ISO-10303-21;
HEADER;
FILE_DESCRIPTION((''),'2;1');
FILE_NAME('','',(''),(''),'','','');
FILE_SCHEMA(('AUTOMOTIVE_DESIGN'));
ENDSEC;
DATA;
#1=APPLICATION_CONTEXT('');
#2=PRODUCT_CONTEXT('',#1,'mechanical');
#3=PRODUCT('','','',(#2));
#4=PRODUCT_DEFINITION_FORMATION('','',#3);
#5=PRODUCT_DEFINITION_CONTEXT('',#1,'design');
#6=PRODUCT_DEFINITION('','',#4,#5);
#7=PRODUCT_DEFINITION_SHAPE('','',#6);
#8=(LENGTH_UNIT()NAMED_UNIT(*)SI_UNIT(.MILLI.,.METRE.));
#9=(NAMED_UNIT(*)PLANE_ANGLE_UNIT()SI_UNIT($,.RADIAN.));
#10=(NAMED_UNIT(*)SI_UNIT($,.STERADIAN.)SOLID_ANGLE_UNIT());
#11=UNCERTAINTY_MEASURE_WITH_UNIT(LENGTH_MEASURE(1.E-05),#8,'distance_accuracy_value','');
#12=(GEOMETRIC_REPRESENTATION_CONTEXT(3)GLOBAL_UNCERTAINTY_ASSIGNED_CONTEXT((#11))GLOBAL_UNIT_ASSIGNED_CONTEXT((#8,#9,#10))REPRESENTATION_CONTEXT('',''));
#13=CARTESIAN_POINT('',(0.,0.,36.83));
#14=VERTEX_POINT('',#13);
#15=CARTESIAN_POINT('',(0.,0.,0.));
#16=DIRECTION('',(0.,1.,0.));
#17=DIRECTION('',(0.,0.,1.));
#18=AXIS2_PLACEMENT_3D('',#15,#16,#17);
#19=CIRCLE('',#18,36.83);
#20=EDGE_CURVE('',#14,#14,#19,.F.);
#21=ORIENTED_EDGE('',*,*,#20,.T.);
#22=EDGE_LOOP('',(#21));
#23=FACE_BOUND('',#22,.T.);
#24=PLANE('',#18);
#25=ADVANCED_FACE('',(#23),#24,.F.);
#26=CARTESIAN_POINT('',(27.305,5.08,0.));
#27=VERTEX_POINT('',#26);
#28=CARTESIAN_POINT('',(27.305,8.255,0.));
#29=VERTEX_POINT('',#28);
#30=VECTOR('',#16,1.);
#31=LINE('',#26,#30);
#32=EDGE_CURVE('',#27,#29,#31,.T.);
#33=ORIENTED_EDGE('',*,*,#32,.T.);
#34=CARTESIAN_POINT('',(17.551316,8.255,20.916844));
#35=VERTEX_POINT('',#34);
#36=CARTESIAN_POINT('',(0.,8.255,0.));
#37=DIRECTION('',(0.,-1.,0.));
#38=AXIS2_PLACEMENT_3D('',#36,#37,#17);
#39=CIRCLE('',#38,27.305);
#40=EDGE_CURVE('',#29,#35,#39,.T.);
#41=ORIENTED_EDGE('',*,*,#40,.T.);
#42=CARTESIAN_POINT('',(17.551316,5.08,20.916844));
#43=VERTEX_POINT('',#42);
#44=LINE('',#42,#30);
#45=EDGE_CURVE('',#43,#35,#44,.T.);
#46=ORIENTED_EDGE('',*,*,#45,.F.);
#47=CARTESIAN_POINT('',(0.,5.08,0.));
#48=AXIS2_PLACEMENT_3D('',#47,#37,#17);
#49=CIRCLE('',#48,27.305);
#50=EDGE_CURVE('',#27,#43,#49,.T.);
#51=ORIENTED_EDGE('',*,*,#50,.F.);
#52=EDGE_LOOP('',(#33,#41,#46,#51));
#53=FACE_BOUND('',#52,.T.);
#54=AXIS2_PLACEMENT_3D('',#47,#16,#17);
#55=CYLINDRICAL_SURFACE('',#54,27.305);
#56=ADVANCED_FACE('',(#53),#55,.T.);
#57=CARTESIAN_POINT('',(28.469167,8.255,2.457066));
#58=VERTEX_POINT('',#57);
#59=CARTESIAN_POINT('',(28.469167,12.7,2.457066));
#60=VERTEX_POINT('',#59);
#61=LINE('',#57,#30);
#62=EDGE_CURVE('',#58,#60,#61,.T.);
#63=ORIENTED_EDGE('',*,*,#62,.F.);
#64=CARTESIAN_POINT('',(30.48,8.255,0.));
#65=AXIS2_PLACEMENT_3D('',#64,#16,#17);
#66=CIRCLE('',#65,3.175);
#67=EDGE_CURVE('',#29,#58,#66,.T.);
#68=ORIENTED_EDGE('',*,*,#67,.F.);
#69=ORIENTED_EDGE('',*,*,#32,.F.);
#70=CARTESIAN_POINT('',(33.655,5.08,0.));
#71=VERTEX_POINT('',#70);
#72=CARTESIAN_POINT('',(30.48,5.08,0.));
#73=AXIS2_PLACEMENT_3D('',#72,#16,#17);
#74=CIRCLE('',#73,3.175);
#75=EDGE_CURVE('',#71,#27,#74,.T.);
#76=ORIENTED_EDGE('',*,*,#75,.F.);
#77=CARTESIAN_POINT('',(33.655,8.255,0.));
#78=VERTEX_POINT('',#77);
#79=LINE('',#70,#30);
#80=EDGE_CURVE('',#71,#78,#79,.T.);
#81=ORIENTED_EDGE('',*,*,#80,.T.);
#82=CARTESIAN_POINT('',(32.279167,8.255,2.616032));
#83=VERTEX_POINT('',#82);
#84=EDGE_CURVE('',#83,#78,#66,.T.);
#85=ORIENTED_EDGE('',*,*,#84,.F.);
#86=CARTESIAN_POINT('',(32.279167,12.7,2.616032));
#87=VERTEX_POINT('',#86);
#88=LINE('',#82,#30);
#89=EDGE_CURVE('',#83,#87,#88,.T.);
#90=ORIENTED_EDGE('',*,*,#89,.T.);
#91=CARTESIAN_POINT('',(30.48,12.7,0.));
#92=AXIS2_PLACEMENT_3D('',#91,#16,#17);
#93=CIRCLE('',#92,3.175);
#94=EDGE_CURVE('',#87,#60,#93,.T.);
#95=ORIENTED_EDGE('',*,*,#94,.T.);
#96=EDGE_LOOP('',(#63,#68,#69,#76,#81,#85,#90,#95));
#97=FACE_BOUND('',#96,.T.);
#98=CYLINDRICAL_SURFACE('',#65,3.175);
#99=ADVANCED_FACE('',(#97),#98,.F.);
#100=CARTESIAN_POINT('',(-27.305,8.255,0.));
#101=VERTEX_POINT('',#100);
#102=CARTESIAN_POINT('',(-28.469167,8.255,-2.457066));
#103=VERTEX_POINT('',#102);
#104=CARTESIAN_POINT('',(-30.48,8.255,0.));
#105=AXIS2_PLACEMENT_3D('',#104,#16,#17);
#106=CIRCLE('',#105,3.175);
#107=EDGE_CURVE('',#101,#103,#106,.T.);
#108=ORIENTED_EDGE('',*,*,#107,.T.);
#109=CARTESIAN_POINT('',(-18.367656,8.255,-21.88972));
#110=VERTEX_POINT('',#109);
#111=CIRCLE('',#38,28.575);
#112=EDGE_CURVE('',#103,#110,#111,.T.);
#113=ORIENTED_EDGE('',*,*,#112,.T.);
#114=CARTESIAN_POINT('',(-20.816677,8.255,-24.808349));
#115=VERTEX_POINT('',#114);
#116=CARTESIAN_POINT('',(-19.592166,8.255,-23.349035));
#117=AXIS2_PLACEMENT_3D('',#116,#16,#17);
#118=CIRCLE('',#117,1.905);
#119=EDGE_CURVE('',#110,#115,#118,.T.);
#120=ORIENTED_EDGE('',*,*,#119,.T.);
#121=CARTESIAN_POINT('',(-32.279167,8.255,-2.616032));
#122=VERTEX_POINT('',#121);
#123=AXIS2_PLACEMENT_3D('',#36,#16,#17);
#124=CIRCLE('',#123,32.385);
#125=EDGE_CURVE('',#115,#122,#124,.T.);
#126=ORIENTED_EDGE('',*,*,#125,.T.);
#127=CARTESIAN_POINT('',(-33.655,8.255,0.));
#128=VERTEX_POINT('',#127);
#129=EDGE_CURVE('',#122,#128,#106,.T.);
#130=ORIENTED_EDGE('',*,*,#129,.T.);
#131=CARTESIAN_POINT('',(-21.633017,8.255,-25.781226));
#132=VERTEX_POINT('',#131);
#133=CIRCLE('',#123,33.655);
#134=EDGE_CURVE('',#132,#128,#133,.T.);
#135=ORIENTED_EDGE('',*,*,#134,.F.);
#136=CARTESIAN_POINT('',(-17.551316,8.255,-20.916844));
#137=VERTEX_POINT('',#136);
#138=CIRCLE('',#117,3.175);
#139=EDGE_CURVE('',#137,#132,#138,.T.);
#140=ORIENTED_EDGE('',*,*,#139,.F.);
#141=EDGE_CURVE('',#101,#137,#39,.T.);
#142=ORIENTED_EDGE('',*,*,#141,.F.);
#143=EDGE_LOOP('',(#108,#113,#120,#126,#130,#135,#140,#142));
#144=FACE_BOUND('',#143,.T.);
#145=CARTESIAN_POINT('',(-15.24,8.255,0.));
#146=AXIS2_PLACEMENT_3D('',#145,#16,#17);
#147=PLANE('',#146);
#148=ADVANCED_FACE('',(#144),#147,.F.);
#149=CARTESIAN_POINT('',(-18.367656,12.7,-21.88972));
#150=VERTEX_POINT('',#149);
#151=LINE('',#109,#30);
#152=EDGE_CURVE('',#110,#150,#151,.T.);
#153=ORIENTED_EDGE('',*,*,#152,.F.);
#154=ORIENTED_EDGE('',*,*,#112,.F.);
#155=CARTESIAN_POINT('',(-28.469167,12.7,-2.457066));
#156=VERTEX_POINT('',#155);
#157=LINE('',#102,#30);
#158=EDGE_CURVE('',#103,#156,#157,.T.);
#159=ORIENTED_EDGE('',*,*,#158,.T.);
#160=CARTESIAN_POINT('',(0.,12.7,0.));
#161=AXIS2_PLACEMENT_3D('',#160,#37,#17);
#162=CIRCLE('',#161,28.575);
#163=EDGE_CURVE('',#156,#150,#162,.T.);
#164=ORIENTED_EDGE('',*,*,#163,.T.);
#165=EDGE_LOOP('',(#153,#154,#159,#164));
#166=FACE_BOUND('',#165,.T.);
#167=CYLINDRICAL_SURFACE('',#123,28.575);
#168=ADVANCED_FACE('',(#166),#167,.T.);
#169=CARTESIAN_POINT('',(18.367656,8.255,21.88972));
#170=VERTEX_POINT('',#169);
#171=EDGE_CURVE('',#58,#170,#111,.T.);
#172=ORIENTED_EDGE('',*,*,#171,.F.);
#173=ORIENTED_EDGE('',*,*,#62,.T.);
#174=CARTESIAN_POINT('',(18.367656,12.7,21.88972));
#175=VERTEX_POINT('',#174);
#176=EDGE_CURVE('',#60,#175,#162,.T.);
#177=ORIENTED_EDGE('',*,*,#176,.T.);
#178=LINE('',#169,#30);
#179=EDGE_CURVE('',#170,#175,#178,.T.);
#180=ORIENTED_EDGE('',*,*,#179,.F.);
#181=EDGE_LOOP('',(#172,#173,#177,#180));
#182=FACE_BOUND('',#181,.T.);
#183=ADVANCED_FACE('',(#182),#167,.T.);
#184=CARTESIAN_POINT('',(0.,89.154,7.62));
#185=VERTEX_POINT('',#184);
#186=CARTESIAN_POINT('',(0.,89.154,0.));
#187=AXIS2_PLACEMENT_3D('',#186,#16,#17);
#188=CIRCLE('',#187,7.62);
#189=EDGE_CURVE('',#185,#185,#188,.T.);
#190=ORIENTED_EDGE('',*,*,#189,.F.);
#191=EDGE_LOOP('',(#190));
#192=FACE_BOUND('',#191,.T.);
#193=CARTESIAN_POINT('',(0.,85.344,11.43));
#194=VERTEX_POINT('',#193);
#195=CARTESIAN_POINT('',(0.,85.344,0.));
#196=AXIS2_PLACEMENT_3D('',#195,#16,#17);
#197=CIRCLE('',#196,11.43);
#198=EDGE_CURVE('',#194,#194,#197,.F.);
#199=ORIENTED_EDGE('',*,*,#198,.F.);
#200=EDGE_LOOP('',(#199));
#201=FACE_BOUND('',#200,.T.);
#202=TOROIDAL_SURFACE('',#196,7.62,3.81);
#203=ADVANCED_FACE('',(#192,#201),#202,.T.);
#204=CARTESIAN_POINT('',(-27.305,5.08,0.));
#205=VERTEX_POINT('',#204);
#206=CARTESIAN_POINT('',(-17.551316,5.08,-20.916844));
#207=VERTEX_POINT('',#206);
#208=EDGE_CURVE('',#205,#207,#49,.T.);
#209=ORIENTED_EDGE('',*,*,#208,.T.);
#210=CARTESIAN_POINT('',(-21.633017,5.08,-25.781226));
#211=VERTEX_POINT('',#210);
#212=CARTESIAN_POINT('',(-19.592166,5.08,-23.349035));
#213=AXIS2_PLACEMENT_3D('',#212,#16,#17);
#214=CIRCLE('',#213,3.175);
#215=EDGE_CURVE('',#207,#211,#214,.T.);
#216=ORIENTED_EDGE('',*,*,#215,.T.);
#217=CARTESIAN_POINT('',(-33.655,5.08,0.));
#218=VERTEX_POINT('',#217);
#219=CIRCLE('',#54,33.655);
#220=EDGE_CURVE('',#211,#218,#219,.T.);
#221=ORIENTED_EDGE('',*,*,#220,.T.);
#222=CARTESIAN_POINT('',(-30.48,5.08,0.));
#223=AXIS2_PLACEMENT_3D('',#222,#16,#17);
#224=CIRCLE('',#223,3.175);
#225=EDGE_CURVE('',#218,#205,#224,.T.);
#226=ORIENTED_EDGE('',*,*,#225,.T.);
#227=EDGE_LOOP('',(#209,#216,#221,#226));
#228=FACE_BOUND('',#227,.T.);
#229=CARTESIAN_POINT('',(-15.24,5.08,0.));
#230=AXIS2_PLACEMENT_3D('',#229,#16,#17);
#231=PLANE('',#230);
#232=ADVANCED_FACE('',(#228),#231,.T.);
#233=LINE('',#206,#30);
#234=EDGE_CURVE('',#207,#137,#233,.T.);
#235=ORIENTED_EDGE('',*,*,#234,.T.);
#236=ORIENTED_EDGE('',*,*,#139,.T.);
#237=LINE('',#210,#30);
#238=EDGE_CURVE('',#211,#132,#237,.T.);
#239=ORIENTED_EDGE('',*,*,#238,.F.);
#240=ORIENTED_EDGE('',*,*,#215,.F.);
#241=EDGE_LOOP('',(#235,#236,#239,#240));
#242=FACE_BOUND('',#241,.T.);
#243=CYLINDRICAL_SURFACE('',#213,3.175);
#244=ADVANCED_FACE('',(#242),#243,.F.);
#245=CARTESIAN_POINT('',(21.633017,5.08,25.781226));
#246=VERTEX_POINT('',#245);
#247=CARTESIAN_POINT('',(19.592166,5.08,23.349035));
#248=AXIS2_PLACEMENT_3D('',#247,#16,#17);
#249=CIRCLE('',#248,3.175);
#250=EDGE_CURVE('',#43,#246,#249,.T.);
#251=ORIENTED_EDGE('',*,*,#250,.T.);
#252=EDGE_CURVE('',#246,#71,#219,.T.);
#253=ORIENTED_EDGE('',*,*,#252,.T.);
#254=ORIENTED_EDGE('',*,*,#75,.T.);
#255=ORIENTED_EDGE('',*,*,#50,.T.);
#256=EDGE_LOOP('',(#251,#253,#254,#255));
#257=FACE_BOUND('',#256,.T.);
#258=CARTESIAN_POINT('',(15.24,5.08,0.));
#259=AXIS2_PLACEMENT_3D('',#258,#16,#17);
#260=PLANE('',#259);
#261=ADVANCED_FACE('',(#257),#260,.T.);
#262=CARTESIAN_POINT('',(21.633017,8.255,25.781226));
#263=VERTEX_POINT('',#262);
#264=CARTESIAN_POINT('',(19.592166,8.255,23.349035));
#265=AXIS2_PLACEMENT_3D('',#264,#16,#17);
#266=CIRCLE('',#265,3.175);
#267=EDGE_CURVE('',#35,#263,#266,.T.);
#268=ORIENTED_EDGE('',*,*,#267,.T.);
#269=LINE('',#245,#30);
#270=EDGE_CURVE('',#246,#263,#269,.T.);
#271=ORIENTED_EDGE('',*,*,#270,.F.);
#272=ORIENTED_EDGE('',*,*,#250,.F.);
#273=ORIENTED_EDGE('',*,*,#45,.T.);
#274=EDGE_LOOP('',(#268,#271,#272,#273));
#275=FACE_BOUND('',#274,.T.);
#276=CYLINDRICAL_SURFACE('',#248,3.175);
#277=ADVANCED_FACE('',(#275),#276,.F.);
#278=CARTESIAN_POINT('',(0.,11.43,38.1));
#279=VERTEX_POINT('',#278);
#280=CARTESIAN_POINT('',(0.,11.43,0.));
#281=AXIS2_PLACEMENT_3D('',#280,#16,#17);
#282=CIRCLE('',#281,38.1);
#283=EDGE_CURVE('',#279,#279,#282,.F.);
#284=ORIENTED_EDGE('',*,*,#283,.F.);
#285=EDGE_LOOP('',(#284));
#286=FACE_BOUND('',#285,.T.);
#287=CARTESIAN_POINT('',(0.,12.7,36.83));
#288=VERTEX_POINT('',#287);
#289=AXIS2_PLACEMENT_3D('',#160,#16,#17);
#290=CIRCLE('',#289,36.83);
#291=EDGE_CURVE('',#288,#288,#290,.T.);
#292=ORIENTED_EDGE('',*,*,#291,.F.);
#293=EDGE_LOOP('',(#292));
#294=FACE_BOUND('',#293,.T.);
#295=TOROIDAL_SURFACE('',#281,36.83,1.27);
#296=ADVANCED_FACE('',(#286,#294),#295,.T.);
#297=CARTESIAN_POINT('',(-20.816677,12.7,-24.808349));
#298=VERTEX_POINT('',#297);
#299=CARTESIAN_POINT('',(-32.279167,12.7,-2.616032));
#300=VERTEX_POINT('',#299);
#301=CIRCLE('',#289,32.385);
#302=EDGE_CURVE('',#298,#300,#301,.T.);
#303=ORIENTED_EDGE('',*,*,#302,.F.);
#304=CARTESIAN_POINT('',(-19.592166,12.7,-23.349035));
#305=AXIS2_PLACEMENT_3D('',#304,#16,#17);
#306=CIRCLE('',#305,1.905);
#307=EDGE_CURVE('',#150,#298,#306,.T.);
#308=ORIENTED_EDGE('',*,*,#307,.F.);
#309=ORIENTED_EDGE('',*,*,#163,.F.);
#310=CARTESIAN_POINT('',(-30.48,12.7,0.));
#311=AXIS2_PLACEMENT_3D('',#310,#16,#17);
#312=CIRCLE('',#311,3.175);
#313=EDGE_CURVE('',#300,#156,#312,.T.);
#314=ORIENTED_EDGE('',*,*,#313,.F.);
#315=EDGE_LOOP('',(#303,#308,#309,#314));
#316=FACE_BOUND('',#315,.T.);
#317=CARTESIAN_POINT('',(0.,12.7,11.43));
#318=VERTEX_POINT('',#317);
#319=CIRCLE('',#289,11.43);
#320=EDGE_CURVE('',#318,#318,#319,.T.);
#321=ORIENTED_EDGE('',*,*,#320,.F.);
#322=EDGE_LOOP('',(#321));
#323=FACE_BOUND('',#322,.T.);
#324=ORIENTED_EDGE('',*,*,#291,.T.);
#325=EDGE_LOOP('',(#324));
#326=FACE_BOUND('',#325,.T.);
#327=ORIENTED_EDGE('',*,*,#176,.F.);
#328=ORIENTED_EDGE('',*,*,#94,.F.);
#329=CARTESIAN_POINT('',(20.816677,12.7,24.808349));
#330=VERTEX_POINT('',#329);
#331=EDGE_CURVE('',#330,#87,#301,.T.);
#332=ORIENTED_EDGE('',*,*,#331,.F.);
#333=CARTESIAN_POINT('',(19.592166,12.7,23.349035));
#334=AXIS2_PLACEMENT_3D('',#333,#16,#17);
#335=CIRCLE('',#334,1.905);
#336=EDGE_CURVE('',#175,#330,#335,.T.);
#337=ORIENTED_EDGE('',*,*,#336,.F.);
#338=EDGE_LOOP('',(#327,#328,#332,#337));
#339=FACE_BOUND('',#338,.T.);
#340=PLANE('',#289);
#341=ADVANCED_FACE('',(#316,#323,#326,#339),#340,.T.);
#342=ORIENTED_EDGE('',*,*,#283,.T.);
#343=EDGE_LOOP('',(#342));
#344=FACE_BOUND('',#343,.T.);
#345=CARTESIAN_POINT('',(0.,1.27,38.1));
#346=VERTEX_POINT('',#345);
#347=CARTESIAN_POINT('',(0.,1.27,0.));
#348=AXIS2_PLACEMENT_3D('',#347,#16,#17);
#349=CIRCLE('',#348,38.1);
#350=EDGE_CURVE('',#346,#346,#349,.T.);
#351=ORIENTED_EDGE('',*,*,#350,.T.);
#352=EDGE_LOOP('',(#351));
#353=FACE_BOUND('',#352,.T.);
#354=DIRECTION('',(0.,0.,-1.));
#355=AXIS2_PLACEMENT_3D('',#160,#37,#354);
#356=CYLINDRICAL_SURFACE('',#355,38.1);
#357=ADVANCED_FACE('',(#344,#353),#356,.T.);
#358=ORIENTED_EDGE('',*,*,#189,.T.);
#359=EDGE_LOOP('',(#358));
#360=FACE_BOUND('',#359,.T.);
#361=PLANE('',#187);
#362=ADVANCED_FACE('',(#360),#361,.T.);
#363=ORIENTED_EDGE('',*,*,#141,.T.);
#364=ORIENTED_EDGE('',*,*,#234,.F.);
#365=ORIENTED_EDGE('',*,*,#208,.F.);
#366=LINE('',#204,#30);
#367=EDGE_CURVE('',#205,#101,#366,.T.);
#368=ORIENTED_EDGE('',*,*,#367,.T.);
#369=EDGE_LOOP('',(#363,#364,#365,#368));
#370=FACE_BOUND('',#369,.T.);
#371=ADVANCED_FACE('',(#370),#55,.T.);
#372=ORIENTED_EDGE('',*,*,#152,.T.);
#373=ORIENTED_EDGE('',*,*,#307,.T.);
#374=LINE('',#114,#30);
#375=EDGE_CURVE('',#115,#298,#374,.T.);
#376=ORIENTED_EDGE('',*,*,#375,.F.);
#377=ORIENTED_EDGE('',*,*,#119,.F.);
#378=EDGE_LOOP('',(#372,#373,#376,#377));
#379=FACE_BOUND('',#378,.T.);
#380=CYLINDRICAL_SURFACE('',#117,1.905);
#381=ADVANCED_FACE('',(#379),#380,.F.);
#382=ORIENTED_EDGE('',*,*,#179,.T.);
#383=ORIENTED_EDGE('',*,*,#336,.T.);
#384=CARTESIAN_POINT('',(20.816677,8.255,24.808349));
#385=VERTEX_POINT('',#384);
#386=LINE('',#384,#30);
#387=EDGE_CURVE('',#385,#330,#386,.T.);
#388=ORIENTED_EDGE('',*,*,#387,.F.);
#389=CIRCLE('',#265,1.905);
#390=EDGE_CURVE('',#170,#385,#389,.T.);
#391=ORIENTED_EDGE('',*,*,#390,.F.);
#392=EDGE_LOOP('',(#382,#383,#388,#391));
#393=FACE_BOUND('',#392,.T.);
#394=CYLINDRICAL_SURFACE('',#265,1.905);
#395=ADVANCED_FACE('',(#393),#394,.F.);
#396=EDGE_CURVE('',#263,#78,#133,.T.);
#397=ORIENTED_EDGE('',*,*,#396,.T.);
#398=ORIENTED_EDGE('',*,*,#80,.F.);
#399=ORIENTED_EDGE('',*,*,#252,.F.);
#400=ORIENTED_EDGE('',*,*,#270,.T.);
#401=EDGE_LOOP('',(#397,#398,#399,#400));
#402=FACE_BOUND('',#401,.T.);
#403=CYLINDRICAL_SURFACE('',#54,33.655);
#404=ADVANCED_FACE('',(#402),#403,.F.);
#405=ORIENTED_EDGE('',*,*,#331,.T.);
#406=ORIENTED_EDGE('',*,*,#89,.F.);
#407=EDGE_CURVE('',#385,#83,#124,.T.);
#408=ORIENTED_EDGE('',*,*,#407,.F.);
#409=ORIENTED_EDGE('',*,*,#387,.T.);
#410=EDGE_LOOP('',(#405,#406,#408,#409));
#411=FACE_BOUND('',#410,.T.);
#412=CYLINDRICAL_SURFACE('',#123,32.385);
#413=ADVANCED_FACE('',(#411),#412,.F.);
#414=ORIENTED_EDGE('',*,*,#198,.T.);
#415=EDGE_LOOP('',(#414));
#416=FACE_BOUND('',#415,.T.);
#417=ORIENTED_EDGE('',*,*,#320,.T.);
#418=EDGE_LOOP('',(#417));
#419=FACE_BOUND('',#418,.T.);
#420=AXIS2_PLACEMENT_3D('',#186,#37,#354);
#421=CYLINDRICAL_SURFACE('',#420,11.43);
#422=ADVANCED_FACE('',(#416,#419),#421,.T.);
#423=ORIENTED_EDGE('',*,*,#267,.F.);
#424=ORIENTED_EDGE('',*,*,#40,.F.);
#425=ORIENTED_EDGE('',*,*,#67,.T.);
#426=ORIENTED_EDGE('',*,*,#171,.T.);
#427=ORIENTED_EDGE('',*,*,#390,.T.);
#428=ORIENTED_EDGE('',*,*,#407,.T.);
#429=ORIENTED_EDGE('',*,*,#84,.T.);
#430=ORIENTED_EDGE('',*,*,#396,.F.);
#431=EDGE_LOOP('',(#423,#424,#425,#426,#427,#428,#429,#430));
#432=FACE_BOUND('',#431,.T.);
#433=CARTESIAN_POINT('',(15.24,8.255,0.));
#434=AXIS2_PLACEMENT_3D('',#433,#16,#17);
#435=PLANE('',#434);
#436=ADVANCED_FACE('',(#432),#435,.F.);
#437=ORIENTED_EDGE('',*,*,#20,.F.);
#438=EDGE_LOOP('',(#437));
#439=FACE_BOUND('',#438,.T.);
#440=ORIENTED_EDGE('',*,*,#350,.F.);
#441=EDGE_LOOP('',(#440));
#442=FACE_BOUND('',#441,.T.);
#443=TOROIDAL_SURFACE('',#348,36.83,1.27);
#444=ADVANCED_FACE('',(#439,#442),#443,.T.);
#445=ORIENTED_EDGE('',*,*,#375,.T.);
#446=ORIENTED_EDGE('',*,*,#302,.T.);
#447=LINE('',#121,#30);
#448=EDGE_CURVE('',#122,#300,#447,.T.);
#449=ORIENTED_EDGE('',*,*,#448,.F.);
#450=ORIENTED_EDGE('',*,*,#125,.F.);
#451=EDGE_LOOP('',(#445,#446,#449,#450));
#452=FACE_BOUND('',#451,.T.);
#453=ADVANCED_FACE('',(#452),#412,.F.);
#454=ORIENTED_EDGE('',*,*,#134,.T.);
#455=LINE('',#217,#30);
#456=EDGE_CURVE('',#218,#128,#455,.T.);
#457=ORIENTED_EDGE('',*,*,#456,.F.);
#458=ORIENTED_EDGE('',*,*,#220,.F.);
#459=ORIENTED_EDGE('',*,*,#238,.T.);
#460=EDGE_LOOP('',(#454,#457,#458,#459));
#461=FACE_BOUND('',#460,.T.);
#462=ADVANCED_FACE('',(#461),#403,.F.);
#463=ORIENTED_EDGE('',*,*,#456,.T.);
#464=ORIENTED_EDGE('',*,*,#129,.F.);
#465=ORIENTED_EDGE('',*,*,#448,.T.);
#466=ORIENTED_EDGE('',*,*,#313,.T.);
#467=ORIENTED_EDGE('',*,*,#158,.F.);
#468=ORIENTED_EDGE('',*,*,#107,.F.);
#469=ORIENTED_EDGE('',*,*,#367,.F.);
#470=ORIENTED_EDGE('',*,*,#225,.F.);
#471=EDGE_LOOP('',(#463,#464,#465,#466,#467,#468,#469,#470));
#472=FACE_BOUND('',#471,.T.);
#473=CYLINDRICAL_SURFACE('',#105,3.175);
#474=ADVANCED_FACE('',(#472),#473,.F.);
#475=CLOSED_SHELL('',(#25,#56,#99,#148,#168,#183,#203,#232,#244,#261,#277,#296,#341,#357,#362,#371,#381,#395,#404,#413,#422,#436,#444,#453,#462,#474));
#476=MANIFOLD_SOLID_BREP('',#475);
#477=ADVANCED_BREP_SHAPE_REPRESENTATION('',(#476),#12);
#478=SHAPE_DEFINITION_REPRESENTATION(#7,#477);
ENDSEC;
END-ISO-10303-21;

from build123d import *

# Parameters (mm, degrees)
SKETCH1_R           = 38.1
BOSS_EXTRUDE1_DEPTH = 12.7
SKETCH2_R           = 11.43
BOSS_EXTRUDE2_DEPTH = 76.454
FILLET1_R           = 1.27
FILLET2_R           = 1.27
FILLET3_R           = 3.81
CUT_EXTRUDE1_DEPTH  = 4.445
CUT_EXTRUDE2_DEPTH  = 3.175


with BuildPart() as part:
    # Sketch1 → Boss-Extrude1 (new body)
    with BuildSketch(Plane(origin=(0, 0, 0), x_dir=(1, 0, 0), z_dir=(0, 1, 0))):
        with Locations(Location((0, 0, 0), (0, 0, 270))):
            Circle(SKETCH1_R)
    extrude(amount=BOSS_EXTRUDE1_DEPTH)

    # Sketch2 → Boss-Extrude2 (add)
    with BuildSketch(Plane(origin=(0, 12.7, 0), x_dir=(1, 0, 0), z_dir=(0, 1, 0))):
        with Locations(Location((0, 0, 0), (0, 0, 270))):
            Circle(SKETCH2_R)
    extrude(amount=BOSS_EXTRUDE2_DEPTH)

    # Fillet1
    fillet1_edges = [part.edges().sort_by_distance(p)[0] for p in [
        (0, 12.7, -38.1),
    ]]
    fillet(fillet1_edges, radius=FILLET1_R)

    # Fillet2
    fillet2_edges = [part.edges().sort_by_distance(p)[0] for p in [
        (0, 0, -38.1),
    ]]
    fillet(fillet2_edges, radius=FILLET2_R)

    # Fillet3
    fillet3_edges = [part.edges().sort_by_distance(p)[0] for p in [
        (0, 89.154, -11.43),
    ]]
    fillet(fillet3_edges, radius=FILLET3_R)

    # Sketch4 → Cut-Extrude1 (cut)
    with BuildSketch(Plane(origin=(0, 12.7, 0), x_dir=(1, 0, 0), z_dir=(0, 1, 0))):
        with BuildLine():
            ThreePointArc((-32.279166667, 2.616032168), (-30.612356486, -3.172240023), (-28.469166667, 2.457066199))
            ThreePointArc((-28.469166667, 2.457066199), (-25.354072576, 13.179591374), (-18.367655947, 21.889719962))
            ThreePointArc((-18.367655947, 21.889719962), (-18.132851679, 24.573545023), (-20.81667674, 24.80834929))
            ThreePointArc((-20.81667674, 24.80834929), (-28.773544821, 14.861740929), (-32.279166667, 2.616032168))
        make_face()
        with BuildLine():
            ThreePointArc((32.279166667, -2.616032168), (30.612356486, 3.172240023), (28.469166667, -2.457066199))
            ThreePointArc((28.469166667, -2.457066199), (25.354072576, -13.179591374), (18.367655947, -21.889719962))
            ThreePointArc((18.367655947, -21.889719962), (18.132851679, -24.573545023), (20.81667674, -24.80834929))
            ThreePointArc((20.81667674, -24.80834929), (28.773544821, -14.861740929), (32.279166667, -2.616032168))
        make_face()
    extrude(amount=-CUT_EXTRUDE1_DEPTH, mode=Mode.SUBTRACT)

    # Sketch5 → Cut-Extrude2 (cut)
    with BuildSketch(Plane(origin=(0, 8.255, 0), x_dir=(1, 0, 0), z_dir=(0, 1, 0))):
        with BuildLine():
            ThreePointArc((-21.633017004, 25.781225733), (-30.501788573, 14.223217599), (-33.655, 0))
            ThreePointArc((-33.655, 0), (-30.48, -3.175), (-27.305, 0))
            ThreePointArc((-27.305, 0), (-24.746734125, 11.539591637), (-17.551315682, 20.916843519))
            ThreePointArc((-17.551315682, 20.916843519), (-17.159975236, 25.389885287), (-21.633017004, 25.781225733))
        make_face()
        with BuildLine():
            ThreePointArc((33.655, 0), (30.48, 3.175), (27.305, 0))
            ThreePointArc((27.305, 0), (24.746734125, -11.539591637), (17.551315682, -20.916843519))
            ThreePointArc((17.551315682, -20.916843519), (17.159975236, -25.389885287), (21.633017004, -25.781225733))
            ThreePointArc((21.633017004, -25.781225733), (30.501788573, -14.223217599), (33.655, 0))
        make_face()
    extrude(amount=-CUT_EXTRUDE2_DEPTH, mode=Mode.SUBTRACT)


solid = part.part
